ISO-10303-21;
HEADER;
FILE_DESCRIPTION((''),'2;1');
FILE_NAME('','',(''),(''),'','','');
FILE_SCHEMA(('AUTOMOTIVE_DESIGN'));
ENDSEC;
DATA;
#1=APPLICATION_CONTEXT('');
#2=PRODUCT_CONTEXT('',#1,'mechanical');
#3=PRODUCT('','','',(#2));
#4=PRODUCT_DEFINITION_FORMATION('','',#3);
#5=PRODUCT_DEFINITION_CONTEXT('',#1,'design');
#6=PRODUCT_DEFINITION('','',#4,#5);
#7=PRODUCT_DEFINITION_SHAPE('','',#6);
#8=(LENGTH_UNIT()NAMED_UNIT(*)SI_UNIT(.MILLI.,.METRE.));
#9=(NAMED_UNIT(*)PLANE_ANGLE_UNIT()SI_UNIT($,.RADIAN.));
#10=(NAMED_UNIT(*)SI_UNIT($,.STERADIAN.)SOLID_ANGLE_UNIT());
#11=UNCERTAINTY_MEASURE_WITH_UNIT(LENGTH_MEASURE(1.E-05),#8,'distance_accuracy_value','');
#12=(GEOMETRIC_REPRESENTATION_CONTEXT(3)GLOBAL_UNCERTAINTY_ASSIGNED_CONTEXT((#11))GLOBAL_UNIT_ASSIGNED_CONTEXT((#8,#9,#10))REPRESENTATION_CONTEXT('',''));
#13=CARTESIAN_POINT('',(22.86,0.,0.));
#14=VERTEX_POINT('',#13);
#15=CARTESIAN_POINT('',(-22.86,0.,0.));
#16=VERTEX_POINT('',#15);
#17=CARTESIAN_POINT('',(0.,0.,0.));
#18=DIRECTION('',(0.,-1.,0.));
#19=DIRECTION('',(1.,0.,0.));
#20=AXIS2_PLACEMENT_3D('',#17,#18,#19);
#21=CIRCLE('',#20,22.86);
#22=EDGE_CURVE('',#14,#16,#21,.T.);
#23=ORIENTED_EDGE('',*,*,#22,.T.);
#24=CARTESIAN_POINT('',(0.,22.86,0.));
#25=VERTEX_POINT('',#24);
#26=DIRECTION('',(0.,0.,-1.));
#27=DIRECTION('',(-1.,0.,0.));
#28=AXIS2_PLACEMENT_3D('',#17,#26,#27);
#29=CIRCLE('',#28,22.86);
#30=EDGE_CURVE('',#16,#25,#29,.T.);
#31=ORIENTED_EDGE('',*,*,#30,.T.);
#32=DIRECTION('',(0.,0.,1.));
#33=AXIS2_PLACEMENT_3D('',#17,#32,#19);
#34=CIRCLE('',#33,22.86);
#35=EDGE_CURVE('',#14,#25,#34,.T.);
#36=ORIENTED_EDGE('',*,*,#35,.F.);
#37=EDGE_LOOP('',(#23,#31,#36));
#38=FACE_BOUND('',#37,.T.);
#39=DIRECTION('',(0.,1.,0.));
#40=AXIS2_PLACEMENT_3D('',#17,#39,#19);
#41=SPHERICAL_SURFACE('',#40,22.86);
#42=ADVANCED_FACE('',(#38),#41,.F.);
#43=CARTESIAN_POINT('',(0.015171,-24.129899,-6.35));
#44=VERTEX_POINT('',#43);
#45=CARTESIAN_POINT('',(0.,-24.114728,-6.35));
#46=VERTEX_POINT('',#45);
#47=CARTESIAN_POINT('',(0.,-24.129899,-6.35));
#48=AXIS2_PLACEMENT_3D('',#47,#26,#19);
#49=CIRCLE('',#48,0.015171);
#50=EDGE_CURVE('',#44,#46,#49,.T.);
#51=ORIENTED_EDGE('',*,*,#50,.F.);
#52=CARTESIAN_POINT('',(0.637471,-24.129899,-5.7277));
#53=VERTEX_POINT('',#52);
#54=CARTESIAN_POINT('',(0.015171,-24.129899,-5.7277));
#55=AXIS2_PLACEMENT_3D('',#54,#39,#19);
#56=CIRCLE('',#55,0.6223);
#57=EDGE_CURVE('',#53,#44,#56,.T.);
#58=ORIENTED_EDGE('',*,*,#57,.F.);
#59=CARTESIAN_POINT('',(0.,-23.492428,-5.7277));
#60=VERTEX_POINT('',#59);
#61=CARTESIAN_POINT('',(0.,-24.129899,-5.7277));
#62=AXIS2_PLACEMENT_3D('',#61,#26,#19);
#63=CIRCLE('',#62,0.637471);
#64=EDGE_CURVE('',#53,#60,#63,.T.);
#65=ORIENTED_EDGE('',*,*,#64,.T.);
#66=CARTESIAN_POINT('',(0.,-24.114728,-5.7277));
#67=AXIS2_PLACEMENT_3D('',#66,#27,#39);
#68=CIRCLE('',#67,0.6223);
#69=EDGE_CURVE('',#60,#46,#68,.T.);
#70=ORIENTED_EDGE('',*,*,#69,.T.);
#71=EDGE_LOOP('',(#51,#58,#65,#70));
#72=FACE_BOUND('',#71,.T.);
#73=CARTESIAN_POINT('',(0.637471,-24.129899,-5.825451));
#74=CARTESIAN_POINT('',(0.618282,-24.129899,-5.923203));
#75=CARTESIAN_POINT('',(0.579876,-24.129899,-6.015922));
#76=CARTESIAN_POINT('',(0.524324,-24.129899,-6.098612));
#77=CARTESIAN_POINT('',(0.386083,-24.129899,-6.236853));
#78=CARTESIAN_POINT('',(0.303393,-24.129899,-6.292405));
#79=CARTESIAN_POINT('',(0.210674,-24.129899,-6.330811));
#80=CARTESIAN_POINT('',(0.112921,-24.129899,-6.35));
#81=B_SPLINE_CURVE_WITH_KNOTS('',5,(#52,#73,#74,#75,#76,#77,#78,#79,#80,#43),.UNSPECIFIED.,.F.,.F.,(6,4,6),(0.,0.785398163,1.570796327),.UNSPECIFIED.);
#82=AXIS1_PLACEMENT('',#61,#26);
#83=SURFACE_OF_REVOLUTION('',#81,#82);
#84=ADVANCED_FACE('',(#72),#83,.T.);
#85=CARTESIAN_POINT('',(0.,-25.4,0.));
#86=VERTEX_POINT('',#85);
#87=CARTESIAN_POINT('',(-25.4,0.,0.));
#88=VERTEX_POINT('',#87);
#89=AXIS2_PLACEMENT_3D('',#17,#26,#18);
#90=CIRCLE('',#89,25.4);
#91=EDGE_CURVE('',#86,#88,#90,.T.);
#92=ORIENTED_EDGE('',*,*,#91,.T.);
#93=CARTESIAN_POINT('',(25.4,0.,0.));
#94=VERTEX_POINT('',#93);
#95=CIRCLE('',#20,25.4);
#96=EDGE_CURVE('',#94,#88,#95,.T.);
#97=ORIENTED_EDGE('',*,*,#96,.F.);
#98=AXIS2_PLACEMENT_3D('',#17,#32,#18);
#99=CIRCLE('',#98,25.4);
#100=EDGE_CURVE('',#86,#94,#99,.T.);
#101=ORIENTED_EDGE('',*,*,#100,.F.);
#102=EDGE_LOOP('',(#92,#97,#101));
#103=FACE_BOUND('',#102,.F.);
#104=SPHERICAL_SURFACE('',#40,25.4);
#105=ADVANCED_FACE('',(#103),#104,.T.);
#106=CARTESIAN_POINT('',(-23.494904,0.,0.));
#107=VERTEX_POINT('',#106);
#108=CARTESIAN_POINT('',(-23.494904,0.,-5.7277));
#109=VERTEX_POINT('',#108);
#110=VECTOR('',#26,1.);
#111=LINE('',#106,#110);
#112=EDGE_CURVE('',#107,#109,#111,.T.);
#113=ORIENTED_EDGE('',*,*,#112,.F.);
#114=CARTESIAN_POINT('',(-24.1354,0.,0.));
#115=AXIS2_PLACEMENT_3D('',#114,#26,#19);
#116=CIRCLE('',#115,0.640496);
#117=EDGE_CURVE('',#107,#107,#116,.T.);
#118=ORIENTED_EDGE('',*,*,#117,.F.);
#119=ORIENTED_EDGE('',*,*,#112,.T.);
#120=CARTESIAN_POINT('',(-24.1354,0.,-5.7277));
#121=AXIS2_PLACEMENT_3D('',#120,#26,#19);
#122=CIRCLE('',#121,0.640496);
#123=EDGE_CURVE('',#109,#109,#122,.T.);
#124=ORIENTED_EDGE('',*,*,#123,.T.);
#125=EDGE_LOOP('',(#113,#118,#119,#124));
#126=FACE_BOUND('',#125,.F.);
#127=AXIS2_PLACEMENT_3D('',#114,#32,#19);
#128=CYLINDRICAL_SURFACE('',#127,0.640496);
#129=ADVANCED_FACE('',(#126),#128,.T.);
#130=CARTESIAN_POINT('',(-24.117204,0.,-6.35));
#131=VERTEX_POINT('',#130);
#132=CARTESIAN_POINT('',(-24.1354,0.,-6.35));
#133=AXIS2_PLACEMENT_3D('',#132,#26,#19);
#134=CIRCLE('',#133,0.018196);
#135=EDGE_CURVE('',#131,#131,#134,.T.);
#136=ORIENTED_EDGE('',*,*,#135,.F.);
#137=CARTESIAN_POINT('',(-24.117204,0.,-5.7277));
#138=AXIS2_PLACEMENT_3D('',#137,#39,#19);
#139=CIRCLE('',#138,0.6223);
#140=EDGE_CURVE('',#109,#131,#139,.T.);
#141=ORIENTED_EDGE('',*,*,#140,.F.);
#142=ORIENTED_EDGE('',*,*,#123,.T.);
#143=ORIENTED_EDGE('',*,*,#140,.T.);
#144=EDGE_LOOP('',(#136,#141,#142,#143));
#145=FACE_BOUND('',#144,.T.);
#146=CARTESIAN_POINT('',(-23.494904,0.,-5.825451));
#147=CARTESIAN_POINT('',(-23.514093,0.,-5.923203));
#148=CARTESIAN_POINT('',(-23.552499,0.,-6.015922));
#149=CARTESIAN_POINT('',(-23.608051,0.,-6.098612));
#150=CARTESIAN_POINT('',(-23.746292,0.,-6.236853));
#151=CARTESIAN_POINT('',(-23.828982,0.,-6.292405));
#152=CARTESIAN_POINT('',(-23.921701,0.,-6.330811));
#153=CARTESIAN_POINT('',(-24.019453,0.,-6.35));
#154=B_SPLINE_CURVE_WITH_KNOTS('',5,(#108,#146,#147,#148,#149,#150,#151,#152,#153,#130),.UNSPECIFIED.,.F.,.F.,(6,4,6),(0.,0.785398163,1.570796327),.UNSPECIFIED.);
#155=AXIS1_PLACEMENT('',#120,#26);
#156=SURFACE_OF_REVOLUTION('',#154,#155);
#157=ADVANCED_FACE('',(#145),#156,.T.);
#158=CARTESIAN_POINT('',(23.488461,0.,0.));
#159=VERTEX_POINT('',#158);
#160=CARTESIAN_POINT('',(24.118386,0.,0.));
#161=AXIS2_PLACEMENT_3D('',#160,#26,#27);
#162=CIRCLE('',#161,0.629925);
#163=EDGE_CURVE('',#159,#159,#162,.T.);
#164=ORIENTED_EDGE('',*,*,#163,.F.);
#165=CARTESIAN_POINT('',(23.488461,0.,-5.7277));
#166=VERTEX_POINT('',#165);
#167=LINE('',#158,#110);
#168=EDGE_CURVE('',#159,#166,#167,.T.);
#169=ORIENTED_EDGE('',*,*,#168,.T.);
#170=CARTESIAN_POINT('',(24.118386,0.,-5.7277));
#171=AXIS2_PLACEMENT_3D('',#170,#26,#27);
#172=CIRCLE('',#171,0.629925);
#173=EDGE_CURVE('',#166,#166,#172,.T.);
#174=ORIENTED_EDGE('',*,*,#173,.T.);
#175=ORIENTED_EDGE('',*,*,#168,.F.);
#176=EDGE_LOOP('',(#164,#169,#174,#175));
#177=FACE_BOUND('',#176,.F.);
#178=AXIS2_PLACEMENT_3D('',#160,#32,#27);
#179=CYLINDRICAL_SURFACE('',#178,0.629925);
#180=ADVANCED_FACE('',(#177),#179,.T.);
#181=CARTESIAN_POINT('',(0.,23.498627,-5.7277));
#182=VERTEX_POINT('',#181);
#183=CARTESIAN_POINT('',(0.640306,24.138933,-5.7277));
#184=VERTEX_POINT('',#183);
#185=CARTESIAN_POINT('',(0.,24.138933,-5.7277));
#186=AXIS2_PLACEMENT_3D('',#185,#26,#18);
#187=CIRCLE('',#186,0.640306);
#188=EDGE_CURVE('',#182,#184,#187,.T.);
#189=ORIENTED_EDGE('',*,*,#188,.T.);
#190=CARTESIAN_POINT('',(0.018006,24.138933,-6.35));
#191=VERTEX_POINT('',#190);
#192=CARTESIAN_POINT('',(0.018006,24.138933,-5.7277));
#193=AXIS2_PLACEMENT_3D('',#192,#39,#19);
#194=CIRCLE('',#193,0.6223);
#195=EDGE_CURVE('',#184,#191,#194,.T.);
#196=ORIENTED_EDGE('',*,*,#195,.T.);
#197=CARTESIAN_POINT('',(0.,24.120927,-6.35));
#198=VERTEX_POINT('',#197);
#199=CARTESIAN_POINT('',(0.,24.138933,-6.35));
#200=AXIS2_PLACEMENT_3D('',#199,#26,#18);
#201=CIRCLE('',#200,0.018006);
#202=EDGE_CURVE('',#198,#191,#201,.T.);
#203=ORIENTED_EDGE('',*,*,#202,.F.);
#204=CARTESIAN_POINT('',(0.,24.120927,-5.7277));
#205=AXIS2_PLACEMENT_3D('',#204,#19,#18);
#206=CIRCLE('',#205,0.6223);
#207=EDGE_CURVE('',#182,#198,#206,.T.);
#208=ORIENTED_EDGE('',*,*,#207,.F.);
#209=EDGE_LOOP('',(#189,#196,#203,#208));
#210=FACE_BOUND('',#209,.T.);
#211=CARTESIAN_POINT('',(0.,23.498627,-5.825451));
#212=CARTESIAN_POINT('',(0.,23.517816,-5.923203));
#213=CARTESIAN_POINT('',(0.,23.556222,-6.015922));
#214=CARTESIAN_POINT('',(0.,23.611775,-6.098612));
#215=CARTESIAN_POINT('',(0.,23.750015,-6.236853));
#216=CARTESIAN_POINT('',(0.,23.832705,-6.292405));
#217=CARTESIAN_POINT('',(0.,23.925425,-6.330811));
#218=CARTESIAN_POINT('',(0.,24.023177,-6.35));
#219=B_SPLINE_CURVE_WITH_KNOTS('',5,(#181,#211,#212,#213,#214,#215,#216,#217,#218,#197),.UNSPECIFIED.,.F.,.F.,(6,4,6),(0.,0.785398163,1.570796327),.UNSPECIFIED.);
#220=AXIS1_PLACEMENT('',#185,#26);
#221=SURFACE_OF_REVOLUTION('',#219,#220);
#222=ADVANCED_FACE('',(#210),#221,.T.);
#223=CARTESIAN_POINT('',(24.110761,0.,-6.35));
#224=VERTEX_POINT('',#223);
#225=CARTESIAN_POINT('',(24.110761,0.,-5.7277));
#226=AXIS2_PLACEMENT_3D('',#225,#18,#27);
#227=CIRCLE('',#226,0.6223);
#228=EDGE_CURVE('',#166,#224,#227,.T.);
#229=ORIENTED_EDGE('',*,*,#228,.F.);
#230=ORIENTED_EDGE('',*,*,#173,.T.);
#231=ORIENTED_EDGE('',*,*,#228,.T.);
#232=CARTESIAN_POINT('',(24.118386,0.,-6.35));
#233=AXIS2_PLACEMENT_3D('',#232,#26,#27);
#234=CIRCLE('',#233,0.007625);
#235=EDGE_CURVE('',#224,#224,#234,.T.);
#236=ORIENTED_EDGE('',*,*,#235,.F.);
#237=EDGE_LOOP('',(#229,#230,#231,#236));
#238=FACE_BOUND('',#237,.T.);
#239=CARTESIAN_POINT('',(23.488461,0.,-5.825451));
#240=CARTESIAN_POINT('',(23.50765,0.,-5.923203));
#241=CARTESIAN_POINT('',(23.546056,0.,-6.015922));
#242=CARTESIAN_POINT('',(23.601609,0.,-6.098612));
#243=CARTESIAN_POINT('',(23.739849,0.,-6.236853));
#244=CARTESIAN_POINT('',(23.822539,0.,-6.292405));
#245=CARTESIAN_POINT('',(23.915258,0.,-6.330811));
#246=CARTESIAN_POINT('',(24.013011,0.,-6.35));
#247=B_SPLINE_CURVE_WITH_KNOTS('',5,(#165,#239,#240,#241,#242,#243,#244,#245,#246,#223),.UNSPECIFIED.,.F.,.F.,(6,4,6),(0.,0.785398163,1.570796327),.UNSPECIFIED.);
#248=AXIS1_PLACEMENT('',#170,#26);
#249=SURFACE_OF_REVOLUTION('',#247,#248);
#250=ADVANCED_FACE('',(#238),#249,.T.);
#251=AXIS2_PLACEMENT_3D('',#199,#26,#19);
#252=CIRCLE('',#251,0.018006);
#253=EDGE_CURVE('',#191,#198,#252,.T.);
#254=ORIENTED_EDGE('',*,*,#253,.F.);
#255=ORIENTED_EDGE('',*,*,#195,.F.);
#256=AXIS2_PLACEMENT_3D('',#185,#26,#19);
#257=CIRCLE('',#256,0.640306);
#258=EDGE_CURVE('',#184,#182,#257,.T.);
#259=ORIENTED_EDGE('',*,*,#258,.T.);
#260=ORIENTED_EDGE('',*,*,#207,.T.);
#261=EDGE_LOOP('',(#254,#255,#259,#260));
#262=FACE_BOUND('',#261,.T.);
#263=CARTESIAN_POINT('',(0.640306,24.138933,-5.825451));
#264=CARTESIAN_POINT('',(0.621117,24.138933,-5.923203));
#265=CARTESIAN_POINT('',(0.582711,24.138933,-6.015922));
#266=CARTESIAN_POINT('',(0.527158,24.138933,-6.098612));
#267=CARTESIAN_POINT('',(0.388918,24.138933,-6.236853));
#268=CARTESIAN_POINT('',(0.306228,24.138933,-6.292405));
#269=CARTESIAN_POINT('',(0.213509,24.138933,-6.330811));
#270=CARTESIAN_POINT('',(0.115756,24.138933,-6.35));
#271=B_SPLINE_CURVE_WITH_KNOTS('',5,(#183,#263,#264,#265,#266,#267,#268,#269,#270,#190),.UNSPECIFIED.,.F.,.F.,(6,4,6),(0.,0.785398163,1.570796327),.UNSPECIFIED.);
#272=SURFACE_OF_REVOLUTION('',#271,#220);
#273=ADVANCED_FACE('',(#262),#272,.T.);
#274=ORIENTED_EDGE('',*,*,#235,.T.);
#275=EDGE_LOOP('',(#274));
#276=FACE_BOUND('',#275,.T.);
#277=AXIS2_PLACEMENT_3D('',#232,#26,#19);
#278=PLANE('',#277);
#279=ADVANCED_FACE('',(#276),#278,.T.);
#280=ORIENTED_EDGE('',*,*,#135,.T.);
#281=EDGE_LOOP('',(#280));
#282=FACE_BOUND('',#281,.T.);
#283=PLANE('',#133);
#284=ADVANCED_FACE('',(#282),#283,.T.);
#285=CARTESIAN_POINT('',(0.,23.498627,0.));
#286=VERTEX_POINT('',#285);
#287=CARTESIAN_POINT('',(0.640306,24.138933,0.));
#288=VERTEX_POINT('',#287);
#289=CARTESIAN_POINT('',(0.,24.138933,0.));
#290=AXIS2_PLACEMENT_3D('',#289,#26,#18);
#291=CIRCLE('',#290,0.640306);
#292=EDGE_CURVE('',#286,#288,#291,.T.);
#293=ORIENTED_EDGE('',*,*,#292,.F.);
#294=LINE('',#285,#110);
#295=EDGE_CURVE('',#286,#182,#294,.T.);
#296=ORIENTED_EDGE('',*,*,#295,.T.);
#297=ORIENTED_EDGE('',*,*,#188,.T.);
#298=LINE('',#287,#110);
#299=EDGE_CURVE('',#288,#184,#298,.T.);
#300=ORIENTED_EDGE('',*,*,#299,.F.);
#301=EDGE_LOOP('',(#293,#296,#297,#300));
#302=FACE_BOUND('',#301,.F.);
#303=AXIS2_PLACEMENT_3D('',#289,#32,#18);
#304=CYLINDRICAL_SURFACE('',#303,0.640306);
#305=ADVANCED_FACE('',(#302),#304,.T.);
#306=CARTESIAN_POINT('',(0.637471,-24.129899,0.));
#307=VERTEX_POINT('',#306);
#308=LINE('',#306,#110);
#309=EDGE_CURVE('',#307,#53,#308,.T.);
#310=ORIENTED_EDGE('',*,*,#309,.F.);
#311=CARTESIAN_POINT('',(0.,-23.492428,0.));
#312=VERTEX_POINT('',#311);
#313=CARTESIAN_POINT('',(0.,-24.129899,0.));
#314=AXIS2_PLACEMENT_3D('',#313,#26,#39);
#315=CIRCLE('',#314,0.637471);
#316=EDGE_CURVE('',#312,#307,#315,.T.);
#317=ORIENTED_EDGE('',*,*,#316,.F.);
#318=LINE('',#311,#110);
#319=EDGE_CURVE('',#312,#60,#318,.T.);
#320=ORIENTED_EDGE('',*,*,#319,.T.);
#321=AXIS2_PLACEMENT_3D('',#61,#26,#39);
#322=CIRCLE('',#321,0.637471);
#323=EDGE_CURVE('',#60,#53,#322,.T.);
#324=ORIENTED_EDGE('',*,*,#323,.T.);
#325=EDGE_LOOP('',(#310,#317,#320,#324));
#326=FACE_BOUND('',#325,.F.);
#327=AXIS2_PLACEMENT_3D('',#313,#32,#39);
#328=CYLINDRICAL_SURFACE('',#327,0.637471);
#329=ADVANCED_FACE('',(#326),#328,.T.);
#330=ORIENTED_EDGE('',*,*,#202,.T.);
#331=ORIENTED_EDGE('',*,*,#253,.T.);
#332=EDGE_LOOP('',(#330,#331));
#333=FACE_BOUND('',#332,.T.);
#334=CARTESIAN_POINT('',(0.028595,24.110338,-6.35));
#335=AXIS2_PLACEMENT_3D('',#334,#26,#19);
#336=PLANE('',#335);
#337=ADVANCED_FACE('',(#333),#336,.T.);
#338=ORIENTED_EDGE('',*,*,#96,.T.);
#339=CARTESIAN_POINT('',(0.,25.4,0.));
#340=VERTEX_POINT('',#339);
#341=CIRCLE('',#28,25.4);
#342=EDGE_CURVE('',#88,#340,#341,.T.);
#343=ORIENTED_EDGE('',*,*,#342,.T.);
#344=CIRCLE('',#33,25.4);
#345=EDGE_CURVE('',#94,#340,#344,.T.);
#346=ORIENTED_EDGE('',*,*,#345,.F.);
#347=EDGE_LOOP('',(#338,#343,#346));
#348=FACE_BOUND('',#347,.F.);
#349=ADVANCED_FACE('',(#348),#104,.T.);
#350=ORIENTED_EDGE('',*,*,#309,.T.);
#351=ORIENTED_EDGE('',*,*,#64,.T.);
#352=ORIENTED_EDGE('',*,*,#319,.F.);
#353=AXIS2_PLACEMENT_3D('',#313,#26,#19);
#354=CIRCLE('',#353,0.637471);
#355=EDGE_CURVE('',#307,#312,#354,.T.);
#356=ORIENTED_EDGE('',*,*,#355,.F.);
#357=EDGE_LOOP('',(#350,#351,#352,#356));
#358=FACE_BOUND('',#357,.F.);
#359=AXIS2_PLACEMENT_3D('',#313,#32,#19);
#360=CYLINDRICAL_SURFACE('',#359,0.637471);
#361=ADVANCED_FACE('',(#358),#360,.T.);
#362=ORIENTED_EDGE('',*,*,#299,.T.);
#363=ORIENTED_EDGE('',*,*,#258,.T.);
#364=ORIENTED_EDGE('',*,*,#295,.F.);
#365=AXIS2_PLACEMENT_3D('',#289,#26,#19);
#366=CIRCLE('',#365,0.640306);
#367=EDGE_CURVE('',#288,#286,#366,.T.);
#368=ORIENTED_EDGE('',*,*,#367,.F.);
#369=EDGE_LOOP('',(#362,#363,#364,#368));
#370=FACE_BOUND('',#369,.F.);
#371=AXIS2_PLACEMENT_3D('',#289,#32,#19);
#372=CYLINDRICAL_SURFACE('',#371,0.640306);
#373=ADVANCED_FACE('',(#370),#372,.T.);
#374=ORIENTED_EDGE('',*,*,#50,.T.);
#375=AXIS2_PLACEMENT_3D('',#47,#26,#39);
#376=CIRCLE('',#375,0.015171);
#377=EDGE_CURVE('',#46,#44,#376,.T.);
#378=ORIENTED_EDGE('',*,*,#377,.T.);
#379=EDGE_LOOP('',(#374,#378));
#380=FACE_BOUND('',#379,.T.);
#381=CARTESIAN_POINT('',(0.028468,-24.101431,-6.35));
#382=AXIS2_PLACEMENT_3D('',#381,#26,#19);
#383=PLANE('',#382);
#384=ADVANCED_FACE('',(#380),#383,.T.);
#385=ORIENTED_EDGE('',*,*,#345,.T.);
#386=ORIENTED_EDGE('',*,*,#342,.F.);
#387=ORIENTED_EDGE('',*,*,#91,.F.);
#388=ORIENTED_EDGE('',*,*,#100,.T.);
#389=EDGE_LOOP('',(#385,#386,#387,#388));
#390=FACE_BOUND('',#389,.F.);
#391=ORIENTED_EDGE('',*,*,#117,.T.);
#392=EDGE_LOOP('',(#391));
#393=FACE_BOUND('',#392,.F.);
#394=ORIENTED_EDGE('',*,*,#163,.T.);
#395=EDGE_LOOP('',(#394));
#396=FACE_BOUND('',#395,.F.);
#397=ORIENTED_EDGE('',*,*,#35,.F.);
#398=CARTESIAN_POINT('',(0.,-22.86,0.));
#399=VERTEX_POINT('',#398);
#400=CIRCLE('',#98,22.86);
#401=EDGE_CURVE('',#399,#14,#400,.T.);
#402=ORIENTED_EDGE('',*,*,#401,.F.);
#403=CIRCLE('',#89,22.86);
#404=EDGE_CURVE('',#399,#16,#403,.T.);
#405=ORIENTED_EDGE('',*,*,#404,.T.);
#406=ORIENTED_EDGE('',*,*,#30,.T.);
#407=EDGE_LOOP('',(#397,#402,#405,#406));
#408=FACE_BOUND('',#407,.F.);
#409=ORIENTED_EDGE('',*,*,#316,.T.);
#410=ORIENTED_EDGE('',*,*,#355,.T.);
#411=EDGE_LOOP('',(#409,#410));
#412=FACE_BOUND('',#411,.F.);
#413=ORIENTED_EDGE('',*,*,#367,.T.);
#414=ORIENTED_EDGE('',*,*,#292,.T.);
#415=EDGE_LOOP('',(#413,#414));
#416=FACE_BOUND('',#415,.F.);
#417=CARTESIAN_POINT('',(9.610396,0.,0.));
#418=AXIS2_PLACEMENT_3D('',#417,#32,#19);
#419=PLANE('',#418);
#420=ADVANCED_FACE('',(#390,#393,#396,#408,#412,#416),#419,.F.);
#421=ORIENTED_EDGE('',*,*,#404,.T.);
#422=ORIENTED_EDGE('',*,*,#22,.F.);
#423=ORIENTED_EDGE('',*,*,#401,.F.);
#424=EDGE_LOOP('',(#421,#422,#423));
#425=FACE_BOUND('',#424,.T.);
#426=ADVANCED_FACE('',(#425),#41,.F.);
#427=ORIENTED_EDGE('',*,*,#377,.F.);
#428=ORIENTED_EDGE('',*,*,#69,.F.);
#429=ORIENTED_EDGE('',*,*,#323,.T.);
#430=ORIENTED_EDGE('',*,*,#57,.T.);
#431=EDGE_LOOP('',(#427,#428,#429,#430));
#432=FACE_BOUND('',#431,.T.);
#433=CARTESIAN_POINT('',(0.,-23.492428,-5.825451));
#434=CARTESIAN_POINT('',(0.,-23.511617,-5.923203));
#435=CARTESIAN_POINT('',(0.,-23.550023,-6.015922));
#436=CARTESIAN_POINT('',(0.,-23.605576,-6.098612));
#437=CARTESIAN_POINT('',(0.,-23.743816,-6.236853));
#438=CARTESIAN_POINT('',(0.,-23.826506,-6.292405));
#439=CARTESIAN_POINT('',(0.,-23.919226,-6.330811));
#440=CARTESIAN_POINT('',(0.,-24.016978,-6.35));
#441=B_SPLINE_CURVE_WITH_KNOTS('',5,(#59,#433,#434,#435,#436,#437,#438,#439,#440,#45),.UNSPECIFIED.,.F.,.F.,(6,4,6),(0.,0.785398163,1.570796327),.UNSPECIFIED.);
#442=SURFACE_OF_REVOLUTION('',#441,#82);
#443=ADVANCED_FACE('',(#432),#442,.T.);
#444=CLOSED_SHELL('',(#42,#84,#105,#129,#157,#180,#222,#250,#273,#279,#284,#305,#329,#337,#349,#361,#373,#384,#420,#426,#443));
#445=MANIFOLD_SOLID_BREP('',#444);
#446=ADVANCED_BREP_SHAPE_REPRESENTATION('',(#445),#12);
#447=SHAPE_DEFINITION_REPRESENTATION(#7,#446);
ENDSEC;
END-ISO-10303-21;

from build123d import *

# Parameters (mm, degrees)
F1_ANGLE = 180
F2_T     = -2.54
F3_R     = 0.6404955701
F4_DEPTH = 6.35
F5_R     = 0.6223


with BuildPart() as f1:
    # F0 (on Top) → F1 (revolve)
    with BuildSketch(Plane.XY):
        with BuildLine():
            ThreePointArc((0, -25.4), (17.9605122421, -17.9605122421), (25.4, 0))
            ThreePointArc((25.4, 0), (17.9605122421, 17.9605122421), (0, 25.4))
            Line((0, 25.4), (0, -25.4))
        make_face()
    revolve(axis=Axis((0, 0, 0), (0, -1, 0)), revolution_arc=F1_ANGLE)

    # F2
    f2_openings = [f1.faces().sort_by_distance(p)[0] for p in [
        (0, 0, 0),
    ]]
    offset(amount=F2_T, openings=f2_openings)

    # F3 (on face) → F4 (join)
    with BuildSketch(Plane(origin=(0, 0, 0), x_dir=(1, 0, 0), z_dir=(0, 0, -1))):
        with BuildLine():
            ThreePointArc((0.640305682, -24.1389330477), (0.4527644898, -23.6861685579), (0, -23.4986273657))
            ThreePointArc((0, -23.4986273657), (-0.4527644898, -24.5916975374), (0.640305682, -24.1389330477))
        make_face()
        with Locations((-24.1353996098, 0)):
            Circle(F3_R)
        with BuildLine():
            ThreePointArc((0.6374708081, 24.1298992187), (-0.4507599312, 24.5806591499), (0, 23.4924284106))
            ThreePointArc((0, 23.4924284106), (0.4507599312, 23.6791392875), (0.6374708081, 24.1298992187))
        make_face()
        with BuildLine():
            ThreePointArc((24.7483111336, 0), (24.118386209, 0.6299249246), (23.4884612844, 0))
            ThreePointArc((23.4884612844, 0), (24.118386209, -0.6299249246), (24.7483111336, 0))
        make_face()
    extrude(amount=F4_DEPTH)

    # F5
    f5_edges = [f1.edges().sort_by_distance(p)[0] for p in [
        (24.748311, 0, -6.35),
        (0, -24.76737, -6.35),
        (-24.775895, 0, -6.35),
        (-0.640306, 24.138933, -6.35),
    ]]
    fillet(f5_edges, radius=F5_R)


solid = f1.part
